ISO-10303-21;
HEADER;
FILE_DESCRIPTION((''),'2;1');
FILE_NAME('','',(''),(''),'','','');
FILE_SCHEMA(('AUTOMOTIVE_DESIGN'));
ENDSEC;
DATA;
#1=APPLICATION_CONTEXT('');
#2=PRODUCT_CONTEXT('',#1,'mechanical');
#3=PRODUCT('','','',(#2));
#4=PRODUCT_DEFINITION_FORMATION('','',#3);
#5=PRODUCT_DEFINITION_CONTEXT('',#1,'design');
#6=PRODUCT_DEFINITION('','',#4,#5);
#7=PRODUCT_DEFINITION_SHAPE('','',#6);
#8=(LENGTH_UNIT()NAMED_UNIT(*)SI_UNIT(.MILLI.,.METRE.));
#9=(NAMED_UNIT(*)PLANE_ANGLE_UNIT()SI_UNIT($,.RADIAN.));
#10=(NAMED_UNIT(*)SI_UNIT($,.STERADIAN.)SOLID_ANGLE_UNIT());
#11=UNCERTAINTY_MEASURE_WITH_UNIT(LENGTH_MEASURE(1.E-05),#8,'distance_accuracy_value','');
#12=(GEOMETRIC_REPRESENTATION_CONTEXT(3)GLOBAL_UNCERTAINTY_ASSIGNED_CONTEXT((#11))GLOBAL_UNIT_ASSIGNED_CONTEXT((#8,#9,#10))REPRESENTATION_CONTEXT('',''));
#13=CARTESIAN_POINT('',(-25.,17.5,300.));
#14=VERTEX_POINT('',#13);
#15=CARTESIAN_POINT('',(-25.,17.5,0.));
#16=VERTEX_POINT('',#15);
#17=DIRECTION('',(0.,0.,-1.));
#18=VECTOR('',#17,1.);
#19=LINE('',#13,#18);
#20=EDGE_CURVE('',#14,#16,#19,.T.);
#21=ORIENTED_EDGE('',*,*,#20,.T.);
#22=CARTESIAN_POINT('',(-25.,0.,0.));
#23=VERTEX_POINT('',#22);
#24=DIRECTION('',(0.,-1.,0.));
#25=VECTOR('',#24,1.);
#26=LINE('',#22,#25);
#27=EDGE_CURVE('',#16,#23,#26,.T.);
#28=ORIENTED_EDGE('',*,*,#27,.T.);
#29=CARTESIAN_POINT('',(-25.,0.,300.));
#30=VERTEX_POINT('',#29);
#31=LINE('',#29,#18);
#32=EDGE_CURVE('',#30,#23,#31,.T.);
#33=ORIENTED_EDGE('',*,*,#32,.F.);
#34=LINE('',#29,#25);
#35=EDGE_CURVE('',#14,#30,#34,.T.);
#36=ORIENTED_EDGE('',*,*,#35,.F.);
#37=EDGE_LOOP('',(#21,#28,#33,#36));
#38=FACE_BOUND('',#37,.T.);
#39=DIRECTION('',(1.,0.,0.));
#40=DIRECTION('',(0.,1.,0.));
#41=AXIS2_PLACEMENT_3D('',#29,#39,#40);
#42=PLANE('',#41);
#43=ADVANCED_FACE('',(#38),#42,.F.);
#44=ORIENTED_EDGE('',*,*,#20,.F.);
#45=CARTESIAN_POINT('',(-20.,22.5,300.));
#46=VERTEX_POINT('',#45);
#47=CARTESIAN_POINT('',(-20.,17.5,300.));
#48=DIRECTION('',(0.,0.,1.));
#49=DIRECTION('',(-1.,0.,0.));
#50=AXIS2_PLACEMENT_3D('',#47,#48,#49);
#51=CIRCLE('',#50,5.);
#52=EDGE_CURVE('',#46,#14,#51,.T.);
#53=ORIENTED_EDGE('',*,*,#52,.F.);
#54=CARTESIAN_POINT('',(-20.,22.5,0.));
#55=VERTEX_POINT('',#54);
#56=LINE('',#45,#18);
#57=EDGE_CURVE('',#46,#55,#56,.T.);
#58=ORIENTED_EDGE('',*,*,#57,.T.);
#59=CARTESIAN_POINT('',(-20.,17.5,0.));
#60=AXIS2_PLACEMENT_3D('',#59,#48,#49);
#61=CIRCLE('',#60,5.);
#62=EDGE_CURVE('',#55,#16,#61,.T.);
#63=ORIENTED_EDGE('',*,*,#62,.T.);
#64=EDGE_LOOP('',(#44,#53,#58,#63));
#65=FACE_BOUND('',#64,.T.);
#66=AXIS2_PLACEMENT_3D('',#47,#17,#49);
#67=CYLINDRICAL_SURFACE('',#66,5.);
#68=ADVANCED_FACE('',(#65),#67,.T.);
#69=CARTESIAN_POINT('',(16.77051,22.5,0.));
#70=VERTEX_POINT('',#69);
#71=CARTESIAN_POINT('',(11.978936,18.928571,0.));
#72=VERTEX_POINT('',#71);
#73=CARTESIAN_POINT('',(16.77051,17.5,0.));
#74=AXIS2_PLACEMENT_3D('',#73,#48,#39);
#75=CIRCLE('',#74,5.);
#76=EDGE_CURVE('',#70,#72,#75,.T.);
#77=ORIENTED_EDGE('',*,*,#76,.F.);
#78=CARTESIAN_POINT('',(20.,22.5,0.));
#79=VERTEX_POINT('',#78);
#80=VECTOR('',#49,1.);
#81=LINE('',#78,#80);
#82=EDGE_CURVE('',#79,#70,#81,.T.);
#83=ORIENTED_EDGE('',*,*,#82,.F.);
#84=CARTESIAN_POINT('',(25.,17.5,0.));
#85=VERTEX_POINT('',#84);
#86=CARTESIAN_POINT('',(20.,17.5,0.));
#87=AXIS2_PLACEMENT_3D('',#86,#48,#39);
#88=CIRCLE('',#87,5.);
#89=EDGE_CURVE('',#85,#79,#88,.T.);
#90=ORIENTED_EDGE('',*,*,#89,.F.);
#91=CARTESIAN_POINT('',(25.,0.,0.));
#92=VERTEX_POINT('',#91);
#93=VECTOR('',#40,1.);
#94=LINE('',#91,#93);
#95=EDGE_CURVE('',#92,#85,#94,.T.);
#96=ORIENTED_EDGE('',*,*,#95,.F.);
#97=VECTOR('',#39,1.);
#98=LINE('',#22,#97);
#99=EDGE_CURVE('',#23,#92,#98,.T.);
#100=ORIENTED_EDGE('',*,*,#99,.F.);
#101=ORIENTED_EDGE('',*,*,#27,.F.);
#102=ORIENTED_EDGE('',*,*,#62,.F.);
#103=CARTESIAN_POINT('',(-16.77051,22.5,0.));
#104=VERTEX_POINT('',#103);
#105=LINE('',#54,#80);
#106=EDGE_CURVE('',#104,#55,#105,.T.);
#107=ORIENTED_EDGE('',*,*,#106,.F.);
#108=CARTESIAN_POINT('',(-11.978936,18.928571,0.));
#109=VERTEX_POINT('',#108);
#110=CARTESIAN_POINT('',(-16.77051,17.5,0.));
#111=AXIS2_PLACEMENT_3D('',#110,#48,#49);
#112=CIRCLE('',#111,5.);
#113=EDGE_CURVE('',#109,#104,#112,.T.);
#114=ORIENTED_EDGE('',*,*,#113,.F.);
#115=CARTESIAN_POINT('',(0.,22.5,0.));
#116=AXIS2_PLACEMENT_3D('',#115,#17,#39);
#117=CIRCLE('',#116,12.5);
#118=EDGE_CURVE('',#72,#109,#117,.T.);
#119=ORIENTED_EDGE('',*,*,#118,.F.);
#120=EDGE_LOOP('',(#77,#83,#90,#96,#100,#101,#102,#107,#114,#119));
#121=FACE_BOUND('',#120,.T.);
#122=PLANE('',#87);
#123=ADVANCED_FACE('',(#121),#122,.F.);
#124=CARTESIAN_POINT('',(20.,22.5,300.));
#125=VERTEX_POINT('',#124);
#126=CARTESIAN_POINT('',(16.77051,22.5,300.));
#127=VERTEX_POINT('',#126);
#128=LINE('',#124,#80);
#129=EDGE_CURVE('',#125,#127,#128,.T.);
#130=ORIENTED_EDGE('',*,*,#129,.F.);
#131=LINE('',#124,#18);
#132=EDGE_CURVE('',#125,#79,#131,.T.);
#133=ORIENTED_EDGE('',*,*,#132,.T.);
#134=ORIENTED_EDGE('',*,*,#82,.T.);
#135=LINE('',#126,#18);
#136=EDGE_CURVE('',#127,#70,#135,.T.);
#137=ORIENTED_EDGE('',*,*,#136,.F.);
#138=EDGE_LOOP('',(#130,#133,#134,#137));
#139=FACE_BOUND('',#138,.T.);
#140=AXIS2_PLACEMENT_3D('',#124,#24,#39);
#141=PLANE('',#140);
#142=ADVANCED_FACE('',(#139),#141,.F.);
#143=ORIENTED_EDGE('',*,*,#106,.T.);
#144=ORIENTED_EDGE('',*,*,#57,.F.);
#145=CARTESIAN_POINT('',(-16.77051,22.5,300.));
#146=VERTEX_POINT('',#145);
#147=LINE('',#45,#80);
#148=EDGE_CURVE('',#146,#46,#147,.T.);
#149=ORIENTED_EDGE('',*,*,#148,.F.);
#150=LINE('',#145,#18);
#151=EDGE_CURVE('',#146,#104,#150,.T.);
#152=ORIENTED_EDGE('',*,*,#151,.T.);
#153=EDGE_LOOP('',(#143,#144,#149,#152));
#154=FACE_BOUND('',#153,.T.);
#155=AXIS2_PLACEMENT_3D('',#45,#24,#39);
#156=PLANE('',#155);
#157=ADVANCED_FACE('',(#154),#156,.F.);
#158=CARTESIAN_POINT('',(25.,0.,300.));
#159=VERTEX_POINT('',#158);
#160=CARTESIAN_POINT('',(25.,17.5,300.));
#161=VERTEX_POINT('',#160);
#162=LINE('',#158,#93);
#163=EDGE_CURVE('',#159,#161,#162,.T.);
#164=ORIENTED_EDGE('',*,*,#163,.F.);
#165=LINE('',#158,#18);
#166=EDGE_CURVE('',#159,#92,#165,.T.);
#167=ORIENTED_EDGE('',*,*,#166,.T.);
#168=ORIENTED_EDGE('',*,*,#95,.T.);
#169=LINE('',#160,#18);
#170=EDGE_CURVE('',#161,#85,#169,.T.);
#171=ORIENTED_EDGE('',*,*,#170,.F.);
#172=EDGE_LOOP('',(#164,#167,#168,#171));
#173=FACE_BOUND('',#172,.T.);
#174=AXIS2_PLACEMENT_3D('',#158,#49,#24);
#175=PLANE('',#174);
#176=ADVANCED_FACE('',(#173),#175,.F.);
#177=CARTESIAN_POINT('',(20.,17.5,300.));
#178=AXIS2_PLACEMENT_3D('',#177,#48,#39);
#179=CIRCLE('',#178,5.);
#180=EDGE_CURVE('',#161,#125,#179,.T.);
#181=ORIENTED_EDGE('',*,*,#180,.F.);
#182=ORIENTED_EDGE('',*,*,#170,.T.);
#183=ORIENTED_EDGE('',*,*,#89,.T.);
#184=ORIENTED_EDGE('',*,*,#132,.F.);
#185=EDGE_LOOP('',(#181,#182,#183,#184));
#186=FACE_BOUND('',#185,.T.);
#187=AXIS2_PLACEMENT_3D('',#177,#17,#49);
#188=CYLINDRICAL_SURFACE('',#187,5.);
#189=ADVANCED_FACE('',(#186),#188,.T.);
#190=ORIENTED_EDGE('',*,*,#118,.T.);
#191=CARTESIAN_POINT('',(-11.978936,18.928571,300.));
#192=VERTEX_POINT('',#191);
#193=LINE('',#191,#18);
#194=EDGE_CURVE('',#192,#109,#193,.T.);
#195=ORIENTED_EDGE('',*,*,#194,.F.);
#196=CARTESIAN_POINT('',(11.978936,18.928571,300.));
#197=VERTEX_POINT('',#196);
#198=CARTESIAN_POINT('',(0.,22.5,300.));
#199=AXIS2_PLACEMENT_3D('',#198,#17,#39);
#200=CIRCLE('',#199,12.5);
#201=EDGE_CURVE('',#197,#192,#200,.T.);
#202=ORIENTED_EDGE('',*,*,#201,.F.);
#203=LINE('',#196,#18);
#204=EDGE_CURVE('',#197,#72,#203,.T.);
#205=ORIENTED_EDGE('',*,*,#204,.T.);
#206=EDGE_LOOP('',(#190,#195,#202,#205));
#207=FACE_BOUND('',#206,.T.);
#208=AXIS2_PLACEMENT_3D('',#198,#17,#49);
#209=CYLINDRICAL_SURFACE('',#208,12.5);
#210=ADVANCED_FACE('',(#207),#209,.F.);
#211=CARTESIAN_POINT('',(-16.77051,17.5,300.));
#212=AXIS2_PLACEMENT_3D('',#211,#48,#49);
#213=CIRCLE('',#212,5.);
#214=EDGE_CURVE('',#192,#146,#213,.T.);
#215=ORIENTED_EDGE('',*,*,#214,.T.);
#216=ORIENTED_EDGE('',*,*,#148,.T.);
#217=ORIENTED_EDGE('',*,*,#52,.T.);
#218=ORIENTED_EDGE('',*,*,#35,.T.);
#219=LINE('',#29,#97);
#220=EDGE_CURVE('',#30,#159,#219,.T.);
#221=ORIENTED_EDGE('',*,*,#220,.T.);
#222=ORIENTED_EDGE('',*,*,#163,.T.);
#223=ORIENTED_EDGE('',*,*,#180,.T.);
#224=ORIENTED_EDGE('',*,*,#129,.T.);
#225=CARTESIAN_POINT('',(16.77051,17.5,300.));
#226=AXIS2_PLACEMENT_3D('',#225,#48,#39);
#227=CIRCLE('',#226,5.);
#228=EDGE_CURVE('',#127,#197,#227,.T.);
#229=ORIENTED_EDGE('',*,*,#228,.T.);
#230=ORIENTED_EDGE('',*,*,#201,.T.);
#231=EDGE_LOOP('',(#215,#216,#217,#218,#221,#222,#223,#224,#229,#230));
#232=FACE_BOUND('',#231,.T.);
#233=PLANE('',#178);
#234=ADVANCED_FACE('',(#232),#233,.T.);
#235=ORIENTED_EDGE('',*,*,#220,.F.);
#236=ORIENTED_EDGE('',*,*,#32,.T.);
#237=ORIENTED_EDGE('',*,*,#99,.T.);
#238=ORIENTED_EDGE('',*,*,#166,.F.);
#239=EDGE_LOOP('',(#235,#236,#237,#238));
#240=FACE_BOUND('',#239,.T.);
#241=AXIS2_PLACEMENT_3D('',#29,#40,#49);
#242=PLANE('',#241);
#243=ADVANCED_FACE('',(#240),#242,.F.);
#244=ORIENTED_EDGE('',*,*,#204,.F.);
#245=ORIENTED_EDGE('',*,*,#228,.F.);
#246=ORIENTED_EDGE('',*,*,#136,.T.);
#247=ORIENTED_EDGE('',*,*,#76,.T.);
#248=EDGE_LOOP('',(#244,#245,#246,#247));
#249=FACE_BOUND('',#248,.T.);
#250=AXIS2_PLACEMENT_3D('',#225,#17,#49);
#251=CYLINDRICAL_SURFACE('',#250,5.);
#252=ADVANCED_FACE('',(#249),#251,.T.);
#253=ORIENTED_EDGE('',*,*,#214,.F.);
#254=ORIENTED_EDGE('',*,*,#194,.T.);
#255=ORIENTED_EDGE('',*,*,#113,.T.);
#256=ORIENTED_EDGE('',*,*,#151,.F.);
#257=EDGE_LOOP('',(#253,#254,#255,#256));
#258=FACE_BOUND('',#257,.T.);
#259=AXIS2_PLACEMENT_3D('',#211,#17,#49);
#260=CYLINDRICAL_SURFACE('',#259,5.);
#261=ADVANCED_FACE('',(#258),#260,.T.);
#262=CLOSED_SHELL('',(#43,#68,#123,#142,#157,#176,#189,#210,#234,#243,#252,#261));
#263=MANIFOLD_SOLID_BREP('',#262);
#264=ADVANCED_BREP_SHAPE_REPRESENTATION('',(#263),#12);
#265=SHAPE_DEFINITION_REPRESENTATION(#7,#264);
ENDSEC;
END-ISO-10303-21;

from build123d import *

# Parameters (mm, degrees)
BOSS_EXTRUDE1_DEPTH = 300


with BuildPart() as part:
    # Sketch3 → Boss-Extrude1 (new body)
    with BuildSketch(Plane.XY):
        with BuildLine():
            Line((-25, 0), (25, 0))
            Line((25, 0), (25, 17.5))
            ThreePointArc((25, 17.5), (23.535533906, 21.035533906), (20, 22.5))
            Line((20, 22.5), (16.770509831, 22.5))
            ThreePointArc((16.770509831, 22.5), (13.782438308, 21.508918629), (11.978935594, 18.928571429))
            ThreePointArc((11.978935594, 18.928571429), (0, 10), (-11.978935594, 18.928571429))
            ThreePointArc((-11.978935594, 18.928571429), (-13.782438308, 21.508918629), (-16.770509831, 22.5))
            Line((-16.770509831, 22.5), (-20, 22.5))
            ThreePointArc((-20, 22.5), (-23.535533906, 21.035533906), (-25, 17.5))
            Line((-25, 17.5), (-25, 0))
        make_face()
    extrude(amount=BOSS_EXTRUDE1_DEPTH)


solid = part.part
